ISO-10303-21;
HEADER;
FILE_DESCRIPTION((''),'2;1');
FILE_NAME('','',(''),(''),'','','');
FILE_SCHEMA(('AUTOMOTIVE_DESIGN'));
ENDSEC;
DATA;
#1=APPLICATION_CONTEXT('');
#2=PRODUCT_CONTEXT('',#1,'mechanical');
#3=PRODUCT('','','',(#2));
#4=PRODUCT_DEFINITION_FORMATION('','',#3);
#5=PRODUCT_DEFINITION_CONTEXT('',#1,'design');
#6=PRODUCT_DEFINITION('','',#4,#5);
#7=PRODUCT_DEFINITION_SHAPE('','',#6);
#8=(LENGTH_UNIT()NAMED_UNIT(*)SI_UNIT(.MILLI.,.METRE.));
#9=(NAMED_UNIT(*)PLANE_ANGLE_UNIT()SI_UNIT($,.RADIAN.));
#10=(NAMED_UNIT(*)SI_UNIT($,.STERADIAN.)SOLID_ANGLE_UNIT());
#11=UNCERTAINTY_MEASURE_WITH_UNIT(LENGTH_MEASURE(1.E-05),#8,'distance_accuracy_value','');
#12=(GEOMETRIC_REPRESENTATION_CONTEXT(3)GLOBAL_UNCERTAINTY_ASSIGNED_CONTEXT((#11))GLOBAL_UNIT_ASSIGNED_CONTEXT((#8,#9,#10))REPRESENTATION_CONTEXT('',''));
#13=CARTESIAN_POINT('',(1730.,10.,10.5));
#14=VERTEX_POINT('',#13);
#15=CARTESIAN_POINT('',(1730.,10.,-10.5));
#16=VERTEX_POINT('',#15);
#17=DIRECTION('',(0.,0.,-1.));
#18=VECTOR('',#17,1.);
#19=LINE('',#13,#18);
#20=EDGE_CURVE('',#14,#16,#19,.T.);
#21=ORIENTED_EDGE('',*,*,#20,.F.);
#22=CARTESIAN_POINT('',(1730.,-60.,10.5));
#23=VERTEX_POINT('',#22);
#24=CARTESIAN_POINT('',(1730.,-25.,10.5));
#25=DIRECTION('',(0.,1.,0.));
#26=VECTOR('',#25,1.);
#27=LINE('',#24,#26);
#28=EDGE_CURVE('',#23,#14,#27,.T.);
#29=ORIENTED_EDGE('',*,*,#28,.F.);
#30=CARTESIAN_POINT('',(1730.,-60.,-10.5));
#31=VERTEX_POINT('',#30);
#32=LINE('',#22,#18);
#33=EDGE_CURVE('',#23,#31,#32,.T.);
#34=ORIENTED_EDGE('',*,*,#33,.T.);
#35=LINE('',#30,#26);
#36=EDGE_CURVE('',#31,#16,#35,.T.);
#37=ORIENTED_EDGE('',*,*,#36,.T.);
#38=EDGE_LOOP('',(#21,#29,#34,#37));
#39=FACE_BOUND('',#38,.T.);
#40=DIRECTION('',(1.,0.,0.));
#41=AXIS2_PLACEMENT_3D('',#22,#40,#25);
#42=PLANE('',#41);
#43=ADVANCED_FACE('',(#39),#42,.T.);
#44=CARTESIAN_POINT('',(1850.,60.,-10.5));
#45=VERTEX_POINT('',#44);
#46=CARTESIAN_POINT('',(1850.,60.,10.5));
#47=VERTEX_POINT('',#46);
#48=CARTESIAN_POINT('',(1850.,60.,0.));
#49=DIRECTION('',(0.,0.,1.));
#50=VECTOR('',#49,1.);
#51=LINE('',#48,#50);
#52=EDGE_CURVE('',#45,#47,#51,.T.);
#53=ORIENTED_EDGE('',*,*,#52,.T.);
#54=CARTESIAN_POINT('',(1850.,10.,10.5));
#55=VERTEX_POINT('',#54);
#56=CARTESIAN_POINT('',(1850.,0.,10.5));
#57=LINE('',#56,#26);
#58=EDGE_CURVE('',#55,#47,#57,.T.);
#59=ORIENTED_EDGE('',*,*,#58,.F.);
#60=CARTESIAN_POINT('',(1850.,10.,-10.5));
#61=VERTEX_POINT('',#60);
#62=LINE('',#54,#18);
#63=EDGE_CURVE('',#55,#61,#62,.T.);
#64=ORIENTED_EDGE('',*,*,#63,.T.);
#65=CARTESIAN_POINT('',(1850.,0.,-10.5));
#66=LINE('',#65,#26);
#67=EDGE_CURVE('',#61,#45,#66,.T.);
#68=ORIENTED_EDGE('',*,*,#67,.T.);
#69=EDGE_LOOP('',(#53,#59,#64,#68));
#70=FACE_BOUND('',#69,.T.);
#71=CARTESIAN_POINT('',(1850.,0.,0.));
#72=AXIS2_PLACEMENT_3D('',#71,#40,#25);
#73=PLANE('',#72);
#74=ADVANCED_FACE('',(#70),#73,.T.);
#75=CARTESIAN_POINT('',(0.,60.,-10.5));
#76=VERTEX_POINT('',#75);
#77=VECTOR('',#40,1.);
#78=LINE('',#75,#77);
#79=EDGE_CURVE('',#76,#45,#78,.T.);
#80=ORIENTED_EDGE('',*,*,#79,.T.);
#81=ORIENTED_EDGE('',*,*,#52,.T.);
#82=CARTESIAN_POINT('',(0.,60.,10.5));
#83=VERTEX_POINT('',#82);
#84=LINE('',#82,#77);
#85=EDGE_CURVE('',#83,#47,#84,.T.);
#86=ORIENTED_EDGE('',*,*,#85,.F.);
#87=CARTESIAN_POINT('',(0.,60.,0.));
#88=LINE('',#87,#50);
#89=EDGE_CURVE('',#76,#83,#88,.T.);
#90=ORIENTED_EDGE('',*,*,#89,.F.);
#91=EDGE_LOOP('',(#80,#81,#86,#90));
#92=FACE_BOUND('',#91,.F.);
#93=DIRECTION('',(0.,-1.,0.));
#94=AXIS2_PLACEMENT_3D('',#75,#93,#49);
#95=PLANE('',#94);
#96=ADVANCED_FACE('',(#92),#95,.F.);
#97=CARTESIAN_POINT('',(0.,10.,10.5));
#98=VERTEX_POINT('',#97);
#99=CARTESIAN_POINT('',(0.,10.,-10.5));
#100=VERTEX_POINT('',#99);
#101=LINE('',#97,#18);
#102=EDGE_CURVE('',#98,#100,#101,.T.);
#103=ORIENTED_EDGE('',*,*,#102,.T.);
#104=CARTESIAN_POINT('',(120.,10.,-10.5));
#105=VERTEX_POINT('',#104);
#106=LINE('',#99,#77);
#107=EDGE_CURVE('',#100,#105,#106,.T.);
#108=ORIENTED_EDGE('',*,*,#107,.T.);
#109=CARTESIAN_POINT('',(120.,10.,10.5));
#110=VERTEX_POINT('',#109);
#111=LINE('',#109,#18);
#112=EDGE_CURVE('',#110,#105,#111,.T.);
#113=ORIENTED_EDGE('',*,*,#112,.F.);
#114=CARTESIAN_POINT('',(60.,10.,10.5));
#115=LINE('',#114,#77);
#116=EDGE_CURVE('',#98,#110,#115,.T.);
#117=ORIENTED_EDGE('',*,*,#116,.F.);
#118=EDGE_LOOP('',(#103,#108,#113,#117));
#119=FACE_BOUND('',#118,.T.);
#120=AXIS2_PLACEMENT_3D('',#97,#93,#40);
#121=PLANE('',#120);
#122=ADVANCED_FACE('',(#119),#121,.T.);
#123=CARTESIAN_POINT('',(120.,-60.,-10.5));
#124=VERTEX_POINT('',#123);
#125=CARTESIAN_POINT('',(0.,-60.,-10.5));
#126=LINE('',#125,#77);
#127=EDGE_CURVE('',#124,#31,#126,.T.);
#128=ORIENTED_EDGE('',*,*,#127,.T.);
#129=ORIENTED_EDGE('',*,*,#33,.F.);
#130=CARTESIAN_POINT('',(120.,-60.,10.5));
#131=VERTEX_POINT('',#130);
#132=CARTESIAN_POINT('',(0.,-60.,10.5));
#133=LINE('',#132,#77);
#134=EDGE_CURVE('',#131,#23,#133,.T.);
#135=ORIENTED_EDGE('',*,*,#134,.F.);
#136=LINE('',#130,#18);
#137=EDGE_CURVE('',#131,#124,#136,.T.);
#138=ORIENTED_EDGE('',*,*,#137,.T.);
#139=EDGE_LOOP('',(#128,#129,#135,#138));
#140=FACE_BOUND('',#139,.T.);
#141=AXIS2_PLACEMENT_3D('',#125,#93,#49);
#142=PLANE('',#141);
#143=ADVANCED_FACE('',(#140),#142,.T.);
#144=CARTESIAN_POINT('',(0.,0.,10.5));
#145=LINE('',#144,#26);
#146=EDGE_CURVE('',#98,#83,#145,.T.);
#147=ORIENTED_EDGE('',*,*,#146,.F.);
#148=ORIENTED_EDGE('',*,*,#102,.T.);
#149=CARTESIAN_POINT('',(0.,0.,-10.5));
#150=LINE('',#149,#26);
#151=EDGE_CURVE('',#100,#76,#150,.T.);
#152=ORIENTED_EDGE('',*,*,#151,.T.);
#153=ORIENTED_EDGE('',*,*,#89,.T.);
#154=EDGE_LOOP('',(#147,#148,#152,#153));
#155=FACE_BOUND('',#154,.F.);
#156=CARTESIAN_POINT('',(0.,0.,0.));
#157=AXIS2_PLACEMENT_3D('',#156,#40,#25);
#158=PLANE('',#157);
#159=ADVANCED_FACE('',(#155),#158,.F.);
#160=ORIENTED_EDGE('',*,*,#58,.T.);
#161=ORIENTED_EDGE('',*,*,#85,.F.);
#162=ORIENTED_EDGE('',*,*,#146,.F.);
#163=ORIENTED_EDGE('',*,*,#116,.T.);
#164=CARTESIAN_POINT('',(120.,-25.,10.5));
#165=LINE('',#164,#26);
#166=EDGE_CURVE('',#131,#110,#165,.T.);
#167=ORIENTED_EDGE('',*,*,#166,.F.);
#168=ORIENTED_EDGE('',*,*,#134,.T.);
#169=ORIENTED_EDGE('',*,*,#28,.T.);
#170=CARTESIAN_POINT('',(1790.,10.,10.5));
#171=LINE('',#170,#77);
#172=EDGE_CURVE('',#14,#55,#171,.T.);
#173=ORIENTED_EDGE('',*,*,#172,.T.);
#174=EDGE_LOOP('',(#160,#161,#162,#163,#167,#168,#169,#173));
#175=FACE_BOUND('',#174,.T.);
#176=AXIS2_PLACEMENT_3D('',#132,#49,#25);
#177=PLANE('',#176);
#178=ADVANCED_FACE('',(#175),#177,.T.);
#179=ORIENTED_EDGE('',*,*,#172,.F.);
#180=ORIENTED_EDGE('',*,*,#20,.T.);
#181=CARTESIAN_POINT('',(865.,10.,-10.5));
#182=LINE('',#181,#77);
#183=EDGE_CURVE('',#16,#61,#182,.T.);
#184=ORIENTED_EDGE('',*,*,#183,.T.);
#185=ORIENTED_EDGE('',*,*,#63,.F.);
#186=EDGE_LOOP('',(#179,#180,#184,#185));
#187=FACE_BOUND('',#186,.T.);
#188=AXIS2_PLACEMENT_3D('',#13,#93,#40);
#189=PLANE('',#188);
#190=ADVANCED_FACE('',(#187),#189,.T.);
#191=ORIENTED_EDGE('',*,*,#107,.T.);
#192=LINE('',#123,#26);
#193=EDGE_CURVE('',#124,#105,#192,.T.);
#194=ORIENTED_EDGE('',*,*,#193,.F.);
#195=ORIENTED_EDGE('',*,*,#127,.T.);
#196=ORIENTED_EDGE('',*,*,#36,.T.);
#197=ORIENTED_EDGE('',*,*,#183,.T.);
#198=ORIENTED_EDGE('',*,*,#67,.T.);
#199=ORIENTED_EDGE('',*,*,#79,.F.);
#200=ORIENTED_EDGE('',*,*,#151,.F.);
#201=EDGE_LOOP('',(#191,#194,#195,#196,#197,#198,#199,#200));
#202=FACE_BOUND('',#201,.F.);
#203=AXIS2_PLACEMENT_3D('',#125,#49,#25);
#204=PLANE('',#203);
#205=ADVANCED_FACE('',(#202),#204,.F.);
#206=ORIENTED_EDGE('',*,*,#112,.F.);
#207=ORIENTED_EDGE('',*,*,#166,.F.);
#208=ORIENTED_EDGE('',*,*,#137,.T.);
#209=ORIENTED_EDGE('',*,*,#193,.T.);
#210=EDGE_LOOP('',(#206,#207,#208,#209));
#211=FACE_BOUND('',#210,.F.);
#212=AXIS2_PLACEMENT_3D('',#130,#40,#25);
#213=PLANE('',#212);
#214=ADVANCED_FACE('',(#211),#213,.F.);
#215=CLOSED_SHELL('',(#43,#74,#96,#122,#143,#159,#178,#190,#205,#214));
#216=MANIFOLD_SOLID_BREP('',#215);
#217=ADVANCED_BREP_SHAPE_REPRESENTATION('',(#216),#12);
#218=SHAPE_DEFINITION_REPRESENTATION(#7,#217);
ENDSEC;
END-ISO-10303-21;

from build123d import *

# Parameters (mm, degrees)
F0_W     = 120
F0_H     = 21
F1_DEPTH = 1850
F2_W     = 120
F2_H     = 70
F3_DEPTH = 25


with BuildPart() as f1:
    # F0 (on Right) → F1 (new body)
    with BuildSketch(Plane.YZ):
        Rectangle(F0_W, F0_H)
    extrude(amount=F1_DEPTH)

    # F2 (on face) → F3 (cut)
    with BuildSketch(Plane.XY.offset(10.5)):
        with Locations((1790, -25)):
            Rectangle(F2_W, F2_H)
        with Locations((60, -25)):
            Rectangle(F2_W, F2_H)
    extrude(amount=-F3_DEPTH, mode=Mode.SUBTRACT)


solid = f1.part
